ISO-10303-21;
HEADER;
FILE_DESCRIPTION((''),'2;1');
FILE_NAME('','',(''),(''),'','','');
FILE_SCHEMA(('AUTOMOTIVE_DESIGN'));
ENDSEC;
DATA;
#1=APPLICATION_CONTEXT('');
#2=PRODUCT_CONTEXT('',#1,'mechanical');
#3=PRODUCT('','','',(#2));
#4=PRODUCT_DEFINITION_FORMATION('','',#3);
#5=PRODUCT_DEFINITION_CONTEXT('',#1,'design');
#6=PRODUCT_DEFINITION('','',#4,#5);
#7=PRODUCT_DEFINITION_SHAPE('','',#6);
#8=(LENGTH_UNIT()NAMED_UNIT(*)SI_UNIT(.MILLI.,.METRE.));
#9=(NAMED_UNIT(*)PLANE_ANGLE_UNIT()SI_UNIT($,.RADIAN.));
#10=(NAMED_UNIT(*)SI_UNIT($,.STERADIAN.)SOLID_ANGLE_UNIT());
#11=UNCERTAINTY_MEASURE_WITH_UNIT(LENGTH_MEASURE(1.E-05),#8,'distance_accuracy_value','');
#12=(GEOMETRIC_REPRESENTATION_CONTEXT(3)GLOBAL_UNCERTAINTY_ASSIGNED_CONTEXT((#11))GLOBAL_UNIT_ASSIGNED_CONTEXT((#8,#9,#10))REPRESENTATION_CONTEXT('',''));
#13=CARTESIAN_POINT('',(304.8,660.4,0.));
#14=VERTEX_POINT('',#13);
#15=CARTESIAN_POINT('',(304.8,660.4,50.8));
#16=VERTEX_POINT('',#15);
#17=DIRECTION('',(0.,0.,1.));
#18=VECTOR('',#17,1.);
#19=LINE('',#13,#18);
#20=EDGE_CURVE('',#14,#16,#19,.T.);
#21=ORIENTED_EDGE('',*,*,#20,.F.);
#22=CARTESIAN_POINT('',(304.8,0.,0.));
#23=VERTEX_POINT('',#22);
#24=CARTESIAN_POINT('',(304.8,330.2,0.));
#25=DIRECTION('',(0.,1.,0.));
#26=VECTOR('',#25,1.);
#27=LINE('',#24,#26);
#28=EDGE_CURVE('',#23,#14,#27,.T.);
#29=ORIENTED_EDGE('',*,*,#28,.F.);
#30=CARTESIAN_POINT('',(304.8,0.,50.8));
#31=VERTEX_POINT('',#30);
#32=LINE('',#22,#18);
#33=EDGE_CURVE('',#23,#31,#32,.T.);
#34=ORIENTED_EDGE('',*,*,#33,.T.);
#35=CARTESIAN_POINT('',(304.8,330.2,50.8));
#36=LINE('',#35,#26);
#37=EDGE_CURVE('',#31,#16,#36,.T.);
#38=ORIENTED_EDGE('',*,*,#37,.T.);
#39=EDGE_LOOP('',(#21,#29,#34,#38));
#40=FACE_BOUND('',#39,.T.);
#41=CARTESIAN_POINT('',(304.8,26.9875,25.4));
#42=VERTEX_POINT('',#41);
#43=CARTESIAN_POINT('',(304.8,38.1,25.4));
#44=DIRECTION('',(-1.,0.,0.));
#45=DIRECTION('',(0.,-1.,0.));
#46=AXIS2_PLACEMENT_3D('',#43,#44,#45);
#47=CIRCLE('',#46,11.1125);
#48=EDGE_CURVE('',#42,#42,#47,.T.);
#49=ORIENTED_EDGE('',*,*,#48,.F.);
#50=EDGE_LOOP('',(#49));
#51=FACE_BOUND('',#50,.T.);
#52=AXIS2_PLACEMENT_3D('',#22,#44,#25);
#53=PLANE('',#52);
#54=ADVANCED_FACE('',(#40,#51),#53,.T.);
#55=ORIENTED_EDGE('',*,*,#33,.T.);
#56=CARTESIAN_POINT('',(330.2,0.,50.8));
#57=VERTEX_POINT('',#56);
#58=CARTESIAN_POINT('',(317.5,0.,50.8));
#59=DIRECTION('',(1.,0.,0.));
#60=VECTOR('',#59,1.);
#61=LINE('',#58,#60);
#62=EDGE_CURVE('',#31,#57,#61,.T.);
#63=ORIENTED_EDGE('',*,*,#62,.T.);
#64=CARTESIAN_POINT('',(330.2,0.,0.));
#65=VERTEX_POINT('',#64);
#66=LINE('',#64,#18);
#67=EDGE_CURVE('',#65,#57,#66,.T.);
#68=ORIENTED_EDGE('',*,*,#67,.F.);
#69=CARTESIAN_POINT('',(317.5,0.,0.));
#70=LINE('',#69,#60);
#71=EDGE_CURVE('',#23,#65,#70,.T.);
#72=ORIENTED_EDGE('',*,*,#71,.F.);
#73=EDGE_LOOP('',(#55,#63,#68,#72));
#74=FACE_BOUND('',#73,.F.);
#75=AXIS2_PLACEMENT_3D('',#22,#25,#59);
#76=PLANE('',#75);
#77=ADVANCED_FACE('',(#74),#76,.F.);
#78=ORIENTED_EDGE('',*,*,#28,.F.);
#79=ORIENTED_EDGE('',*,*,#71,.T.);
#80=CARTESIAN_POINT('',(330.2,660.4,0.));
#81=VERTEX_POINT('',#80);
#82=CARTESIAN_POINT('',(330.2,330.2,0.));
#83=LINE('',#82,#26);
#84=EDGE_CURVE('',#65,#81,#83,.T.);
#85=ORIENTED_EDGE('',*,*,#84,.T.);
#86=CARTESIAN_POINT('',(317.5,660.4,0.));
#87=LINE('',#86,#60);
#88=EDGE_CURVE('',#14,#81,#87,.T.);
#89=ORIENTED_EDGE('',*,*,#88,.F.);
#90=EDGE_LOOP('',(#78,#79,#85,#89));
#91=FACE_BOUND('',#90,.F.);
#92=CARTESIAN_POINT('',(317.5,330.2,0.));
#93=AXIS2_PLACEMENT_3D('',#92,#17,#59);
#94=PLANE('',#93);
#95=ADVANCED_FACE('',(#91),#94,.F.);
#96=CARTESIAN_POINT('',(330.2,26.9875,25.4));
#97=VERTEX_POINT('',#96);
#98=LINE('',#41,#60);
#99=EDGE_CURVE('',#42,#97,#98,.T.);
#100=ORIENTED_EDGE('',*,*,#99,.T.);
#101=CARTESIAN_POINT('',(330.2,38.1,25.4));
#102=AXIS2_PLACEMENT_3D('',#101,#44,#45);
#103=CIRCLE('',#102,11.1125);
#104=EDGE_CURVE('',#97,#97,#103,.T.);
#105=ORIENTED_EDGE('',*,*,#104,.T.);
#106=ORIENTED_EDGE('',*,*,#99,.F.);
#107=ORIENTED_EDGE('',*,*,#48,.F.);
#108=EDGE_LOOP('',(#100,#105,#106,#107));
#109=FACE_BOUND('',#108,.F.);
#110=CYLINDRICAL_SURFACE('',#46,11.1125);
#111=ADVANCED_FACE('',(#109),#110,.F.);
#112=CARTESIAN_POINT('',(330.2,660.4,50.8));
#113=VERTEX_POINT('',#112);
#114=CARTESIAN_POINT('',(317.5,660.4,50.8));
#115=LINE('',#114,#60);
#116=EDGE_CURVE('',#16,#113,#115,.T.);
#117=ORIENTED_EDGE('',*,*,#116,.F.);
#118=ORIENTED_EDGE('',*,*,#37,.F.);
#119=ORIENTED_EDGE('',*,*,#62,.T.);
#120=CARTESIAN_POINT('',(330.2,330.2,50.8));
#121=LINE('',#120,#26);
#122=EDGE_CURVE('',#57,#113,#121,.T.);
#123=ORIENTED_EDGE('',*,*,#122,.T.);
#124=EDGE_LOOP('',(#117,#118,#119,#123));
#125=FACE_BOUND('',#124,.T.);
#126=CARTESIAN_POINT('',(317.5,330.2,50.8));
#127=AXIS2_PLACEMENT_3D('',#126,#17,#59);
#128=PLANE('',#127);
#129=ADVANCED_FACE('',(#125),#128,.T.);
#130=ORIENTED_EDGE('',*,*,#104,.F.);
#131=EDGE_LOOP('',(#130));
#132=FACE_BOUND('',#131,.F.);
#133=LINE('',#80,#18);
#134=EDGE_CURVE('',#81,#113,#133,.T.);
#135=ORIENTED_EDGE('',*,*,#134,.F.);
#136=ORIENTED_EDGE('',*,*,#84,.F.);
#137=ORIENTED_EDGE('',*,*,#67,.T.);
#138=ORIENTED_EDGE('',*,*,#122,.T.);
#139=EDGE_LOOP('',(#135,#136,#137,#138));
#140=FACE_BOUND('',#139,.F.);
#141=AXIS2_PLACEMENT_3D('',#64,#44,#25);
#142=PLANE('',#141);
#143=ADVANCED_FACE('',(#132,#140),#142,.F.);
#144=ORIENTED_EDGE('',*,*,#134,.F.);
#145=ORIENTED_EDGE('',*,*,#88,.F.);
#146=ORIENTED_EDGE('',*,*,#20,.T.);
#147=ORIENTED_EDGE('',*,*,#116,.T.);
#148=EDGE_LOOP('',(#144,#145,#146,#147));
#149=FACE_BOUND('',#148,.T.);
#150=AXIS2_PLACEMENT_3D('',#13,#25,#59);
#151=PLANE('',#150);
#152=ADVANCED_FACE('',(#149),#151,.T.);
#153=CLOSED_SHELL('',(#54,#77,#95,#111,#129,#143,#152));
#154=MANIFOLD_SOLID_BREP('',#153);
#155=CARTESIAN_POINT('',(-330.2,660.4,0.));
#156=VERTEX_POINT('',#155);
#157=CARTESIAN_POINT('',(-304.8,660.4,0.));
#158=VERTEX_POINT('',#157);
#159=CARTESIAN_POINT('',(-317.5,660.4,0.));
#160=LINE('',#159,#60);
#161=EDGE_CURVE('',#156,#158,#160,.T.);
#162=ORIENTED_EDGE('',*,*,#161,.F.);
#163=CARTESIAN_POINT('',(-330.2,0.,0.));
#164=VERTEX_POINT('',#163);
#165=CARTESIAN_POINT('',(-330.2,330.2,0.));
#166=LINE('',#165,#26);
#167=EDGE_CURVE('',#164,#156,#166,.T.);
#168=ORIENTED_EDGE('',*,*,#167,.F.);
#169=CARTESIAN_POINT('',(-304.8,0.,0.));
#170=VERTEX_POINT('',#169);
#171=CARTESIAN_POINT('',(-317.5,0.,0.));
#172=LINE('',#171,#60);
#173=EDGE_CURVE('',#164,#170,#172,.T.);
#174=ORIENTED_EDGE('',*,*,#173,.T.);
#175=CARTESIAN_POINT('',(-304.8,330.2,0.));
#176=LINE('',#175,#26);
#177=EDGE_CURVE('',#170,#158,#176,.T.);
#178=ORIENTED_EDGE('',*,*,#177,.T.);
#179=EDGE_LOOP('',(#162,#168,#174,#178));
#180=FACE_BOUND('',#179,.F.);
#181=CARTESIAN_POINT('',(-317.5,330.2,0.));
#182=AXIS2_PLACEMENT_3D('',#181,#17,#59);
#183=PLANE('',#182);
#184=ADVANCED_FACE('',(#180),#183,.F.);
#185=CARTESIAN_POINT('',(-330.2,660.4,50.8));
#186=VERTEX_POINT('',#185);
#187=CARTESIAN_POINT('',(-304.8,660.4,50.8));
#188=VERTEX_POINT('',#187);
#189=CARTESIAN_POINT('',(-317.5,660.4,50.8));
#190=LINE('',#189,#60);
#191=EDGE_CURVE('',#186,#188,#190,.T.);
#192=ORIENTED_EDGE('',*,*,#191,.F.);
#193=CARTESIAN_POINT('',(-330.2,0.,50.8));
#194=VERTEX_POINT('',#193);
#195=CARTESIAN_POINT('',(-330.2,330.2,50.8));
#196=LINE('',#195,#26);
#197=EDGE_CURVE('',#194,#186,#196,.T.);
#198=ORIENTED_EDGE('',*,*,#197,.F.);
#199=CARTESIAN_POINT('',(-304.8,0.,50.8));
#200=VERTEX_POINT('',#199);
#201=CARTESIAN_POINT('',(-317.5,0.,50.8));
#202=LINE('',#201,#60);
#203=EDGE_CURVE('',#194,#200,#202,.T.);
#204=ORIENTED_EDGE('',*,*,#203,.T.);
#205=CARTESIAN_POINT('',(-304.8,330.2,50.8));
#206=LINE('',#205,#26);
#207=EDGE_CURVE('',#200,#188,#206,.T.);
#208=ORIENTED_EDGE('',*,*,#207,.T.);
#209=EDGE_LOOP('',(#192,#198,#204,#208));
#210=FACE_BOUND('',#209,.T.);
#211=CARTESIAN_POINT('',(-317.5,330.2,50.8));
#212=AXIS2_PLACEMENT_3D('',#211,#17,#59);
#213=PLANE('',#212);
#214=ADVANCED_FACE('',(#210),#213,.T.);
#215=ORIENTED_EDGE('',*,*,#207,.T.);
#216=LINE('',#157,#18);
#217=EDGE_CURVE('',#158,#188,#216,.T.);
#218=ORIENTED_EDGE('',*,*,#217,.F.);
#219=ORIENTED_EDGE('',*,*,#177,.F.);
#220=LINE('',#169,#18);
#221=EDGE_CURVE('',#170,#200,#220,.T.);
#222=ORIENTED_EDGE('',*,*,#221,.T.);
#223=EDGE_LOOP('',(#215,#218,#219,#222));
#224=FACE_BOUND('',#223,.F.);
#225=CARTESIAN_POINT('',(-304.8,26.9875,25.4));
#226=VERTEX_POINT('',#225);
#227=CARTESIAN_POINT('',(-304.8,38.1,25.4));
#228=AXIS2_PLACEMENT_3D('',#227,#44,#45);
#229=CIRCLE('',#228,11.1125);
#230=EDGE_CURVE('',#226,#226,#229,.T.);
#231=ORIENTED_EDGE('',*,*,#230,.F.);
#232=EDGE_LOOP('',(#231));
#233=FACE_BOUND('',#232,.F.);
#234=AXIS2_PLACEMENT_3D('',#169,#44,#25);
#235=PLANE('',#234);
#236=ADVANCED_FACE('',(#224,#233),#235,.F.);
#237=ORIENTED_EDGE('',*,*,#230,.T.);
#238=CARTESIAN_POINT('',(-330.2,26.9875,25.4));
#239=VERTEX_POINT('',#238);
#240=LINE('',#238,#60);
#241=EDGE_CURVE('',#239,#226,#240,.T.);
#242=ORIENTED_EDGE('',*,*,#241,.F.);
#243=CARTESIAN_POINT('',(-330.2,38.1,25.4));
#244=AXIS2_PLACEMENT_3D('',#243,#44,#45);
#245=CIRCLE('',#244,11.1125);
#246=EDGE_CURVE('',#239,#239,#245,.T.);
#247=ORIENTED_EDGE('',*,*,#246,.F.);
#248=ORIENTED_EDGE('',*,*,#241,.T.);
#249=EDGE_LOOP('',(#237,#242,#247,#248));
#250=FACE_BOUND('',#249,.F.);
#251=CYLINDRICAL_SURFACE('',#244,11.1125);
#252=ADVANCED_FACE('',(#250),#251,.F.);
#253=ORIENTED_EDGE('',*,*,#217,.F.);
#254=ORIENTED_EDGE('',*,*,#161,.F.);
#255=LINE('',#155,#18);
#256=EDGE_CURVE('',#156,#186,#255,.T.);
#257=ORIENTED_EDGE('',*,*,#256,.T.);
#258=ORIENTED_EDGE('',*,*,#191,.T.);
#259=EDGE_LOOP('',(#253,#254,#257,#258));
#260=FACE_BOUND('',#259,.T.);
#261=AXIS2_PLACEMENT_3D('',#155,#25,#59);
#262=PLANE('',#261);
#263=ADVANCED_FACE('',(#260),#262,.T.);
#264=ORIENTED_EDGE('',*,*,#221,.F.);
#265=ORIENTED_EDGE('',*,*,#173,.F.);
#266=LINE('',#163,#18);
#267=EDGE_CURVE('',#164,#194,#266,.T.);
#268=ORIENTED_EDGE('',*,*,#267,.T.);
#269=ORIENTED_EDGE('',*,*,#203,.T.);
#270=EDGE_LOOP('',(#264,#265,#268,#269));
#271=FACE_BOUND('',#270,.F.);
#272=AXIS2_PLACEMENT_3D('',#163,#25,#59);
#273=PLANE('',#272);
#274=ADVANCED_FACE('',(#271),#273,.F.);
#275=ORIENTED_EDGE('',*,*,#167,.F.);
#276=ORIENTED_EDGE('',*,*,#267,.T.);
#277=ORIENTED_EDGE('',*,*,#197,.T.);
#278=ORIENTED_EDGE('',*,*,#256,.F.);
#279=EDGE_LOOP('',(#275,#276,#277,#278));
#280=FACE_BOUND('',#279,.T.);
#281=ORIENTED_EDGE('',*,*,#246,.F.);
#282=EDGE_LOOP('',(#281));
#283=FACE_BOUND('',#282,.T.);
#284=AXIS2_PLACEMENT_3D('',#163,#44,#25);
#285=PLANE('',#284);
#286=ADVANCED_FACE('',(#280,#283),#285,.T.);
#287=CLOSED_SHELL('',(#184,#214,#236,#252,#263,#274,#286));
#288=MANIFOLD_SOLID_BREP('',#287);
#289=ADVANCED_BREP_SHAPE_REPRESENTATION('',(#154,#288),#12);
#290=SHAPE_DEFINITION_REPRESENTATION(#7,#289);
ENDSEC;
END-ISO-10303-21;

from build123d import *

# Parameters (mm, degrees)
F0_W     = 25.4
F0_H     = 660.4
F1_DEPTH = 50.8
F2_R     = 11.1125
F3_DEPTH = 25.401
F4_R     = 11.1125
F5_DEPTH = 660.401


with BuildPart() as f1:
    # F0 (on Top) → F1 (new body)
    with BuildSketch(Plane.XY):
        with Locations((-317.5, 330.2)):
            Rectangle(F0_W, F0_H)
        with Locations((317.5, 330.2)):
            Rectangle(F0_W, F0_H)
    extrude(amount=F1_DEPTH)

    # F2 (on face) → F3 (cut, through all)
    with BuildSketch(Plane(origin=(304.8, 0, 0), x_dir=(0, -1, 0), z_dir=(-1, 0, 0))):
        with Locations((-38.1, 25.4)):
            Circle(F2_R)
    extrude(amount=-F3_DEPTH, mode=Mode.SUBTRACT)

    # F4 (on face) → F5 (cut, through all)
    with BuildSketch(Plane(origin=(-330.2, 0, 0), x_dir=(0, -1, 0), z_dir=(-1, 0, 0))):
        with Locations((-38.1, 25.4)):
            Circle(F4_R)
    extrude(amount=-F5_DEPTH, mode=Mode.SUBTRACT)


solid = f1.part
